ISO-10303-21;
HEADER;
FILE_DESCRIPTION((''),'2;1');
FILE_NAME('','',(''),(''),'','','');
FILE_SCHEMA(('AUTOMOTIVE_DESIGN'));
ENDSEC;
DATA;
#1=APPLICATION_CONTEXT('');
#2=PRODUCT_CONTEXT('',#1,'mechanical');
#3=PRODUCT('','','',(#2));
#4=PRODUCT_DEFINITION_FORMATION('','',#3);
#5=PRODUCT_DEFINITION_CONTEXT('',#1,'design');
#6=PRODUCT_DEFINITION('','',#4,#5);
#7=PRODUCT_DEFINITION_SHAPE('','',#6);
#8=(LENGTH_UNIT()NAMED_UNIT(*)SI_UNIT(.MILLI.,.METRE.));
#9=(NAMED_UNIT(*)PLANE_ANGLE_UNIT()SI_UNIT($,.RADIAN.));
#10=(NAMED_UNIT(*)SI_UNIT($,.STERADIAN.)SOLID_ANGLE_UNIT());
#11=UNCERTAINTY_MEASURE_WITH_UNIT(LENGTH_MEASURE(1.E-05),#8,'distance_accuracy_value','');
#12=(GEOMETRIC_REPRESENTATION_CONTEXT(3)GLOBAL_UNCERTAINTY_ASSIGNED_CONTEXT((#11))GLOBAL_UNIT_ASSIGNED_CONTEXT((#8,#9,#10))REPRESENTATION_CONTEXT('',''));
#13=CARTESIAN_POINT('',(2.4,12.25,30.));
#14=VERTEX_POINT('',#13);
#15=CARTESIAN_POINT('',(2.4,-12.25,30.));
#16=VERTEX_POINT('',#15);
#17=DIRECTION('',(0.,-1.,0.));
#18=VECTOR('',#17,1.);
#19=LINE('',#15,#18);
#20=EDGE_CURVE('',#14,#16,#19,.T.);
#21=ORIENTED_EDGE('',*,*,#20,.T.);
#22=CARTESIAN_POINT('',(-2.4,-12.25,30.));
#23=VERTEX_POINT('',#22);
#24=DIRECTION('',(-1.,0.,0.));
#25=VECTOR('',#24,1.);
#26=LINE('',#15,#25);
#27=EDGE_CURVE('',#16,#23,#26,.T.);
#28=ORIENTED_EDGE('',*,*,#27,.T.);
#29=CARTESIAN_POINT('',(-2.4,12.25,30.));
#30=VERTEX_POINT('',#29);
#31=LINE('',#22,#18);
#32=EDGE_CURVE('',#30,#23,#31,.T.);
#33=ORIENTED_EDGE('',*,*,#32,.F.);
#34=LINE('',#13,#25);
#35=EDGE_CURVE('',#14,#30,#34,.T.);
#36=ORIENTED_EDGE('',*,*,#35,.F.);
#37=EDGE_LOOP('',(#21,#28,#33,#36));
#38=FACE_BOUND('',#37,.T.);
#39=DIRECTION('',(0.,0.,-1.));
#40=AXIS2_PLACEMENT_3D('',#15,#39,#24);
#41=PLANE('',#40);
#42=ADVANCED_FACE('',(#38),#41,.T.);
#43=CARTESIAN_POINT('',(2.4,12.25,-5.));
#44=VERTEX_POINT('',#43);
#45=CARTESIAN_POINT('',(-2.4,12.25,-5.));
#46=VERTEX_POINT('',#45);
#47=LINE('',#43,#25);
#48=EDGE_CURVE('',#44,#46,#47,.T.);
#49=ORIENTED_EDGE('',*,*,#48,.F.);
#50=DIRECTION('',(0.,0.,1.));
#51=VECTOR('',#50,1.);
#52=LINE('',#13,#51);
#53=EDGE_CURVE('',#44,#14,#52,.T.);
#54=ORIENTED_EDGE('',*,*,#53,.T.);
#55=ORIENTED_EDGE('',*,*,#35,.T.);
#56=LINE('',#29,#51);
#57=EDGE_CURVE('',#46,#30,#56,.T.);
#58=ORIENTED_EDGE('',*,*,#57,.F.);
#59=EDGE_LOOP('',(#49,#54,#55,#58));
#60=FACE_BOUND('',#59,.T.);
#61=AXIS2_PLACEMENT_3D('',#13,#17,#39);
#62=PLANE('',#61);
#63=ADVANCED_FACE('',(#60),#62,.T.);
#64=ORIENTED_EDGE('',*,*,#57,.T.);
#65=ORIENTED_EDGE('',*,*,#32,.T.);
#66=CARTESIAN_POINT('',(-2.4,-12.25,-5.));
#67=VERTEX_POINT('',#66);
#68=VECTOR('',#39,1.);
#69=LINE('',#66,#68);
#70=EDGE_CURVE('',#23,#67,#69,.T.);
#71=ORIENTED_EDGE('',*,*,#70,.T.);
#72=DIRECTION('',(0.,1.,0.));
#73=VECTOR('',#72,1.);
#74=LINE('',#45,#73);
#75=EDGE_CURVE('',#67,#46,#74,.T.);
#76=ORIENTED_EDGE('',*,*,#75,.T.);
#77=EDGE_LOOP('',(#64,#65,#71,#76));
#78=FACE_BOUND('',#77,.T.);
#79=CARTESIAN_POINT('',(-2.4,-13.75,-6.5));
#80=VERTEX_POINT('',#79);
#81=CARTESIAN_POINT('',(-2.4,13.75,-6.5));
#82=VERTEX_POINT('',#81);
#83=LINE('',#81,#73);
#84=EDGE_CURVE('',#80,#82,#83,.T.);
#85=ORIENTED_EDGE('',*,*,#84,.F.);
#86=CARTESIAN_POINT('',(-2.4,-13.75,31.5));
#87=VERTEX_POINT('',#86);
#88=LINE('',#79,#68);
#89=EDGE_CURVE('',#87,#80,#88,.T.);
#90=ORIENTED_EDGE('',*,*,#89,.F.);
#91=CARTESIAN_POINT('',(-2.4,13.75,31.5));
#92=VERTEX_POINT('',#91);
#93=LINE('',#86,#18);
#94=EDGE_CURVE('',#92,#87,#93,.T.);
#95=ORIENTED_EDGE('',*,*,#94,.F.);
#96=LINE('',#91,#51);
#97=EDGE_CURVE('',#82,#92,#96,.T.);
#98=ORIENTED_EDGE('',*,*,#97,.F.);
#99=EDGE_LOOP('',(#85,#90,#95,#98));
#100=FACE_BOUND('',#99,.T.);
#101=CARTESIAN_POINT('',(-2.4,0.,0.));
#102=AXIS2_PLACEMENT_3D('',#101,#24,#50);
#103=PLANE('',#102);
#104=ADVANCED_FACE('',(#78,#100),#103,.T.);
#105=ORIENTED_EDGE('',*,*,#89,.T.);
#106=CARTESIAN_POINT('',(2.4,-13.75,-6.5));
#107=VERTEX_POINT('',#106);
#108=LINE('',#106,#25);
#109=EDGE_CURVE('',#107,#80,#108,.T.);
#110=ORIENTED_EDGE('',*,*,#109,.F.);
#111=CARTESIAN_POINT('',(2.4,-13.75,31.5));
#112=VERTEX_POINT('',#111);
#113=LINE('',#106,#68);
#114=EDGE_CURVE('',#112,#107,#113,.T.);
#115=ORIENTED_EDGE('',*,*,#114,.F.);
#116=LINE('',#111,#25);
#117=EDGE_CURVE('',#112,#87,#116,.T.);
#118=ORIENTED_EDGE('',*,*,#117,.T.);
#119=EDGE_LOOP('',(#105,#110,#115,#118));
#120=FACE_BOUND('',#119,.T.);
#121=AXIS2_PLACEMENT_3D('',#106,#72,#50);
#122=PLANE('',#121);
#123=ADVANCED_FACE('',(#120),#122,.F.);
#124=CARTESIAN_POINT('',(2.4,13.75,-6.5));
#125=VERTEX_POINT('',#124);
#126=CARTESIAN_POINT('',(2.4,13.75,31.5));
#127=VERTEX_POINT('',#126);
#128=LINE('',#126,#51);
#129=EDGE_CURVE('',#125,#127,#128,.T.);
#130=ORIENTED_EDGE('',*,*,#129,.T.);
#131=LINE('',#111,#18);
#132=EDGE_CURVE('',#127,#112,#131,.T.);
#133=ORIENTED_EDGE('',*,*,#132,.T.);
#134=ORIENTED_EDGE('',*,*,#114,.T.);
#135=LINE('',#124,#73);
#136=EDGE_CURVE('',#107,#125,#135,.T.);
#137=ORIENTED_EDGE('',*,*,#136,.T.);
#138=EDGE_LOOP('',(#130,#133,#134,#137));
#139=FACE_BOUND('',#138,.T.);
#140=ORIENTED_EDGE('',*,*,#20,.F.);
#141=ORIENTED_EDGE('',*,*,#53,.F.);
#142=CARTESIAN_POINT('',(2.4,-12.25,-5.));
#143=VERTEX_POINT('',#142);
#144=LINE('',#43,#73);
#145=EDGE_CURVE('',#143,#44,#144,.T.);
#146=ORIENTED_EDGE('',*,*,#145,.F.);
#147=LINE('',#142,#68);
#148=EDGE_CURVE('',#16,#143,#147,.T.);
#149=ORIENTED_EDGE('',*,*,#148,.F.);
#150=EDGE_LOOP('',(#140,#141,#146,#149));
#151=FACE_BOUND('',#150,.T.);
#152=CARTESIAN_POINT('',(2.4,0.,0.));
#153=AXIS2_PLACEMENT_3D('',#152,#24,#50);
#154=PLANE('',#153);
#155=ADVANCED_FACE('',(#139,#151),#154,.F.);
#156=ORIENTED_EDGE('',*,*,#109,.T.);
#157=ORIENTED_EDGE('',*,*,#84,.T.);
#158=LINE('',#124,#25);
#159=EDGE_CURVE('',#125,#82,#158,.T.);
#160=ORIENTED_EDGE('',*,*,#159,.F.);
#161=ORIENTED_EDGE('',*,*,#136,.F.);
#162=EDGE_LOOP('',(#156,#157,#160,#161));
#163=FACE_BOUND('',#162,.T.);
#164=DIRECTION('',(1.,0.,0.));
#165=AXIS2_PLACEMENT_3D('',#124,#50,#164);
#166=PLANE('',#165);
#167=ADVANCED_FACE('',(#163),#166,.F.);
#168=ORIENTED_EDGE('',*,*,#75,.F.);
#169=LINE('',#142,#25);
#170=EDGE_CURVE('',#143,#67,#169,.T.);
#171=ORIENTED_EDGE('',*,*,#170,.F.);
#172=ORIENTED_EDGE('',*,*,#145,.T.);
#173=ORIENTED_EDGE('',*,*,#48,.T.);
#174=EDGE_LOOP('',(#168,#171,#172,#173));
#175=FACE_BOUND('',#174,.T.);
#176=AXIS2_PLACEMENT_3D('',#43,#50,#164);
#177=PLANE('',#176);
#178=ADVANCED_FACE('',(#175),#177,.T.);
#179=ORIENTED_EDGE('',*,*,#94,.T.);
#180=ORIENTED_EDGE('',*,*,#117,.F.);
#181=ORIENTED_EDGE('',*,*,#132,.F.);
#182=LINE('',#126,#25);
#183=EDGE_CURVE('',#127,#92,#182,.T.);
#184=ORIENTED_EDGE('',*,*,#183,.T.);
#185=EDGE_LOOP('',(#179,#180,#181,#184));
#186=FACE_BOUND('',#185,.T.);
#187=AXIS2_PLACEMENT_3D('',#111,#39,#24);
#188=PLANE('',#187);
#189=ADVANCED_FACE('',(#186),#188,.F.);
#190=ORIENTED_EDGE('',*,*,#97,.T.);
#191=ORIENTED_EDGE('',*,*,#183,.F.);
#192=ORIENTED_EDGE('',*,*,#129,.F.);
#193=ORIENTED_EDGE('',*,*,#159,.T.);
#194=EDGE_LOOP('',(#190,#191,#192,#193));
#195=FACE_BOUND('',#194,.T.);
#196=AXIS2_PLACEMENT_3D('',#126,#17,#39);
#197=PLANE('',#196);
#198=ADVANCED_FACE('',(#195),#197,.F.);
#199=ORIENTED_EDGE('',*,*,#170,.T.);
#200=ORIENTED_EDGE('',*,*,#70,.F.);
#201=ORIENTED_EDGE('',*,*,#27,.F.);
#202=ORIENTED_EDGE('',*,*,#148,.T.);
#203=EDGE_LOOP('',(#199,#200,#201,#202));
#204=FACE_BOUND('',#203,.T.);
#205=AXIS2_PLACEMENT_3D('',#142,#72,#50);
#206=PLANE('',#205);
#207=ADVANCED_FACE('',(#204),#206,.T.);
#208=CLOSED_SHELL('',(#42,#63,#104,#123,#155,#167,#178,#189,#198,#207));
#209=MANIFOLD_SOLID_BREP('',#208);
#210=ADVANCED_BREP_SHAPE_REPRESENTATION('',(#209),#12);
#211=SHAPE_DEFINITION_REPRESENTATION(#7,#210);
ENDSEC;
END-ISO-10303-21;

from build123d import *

# Parameters (mm, degrees)
SKETCH_1_W        = 38
SKETCH_1_H        = 27.5
SKETCH_1_W_2      = 35
SKETCH_1_H_2      = 24.5
EXTRUDE_576_DEPTH = 2.4


with BuildPart() as part:
    # ｽｹｯﾁ1 → Extrude 576 (new, symmetric)
    with BuildSketch(Plane(origin=(0, 0, 0), x_dir=(0, 0, -1), z_dir=(1, 0, 0))):
        with Locations((-12.5, 0)):
            Rectangle(SKETCH_1_W, SKETCH_1_H)
        with Locations((-12.5, 0)):
            Rectangle(SKETCH_1_W_2, SKETCH_1_H_2, mode=Mode.SUBTRACT)
    extrude(amount=EXTRUDE_576_DEPTH, both=True)


solid = part.part
